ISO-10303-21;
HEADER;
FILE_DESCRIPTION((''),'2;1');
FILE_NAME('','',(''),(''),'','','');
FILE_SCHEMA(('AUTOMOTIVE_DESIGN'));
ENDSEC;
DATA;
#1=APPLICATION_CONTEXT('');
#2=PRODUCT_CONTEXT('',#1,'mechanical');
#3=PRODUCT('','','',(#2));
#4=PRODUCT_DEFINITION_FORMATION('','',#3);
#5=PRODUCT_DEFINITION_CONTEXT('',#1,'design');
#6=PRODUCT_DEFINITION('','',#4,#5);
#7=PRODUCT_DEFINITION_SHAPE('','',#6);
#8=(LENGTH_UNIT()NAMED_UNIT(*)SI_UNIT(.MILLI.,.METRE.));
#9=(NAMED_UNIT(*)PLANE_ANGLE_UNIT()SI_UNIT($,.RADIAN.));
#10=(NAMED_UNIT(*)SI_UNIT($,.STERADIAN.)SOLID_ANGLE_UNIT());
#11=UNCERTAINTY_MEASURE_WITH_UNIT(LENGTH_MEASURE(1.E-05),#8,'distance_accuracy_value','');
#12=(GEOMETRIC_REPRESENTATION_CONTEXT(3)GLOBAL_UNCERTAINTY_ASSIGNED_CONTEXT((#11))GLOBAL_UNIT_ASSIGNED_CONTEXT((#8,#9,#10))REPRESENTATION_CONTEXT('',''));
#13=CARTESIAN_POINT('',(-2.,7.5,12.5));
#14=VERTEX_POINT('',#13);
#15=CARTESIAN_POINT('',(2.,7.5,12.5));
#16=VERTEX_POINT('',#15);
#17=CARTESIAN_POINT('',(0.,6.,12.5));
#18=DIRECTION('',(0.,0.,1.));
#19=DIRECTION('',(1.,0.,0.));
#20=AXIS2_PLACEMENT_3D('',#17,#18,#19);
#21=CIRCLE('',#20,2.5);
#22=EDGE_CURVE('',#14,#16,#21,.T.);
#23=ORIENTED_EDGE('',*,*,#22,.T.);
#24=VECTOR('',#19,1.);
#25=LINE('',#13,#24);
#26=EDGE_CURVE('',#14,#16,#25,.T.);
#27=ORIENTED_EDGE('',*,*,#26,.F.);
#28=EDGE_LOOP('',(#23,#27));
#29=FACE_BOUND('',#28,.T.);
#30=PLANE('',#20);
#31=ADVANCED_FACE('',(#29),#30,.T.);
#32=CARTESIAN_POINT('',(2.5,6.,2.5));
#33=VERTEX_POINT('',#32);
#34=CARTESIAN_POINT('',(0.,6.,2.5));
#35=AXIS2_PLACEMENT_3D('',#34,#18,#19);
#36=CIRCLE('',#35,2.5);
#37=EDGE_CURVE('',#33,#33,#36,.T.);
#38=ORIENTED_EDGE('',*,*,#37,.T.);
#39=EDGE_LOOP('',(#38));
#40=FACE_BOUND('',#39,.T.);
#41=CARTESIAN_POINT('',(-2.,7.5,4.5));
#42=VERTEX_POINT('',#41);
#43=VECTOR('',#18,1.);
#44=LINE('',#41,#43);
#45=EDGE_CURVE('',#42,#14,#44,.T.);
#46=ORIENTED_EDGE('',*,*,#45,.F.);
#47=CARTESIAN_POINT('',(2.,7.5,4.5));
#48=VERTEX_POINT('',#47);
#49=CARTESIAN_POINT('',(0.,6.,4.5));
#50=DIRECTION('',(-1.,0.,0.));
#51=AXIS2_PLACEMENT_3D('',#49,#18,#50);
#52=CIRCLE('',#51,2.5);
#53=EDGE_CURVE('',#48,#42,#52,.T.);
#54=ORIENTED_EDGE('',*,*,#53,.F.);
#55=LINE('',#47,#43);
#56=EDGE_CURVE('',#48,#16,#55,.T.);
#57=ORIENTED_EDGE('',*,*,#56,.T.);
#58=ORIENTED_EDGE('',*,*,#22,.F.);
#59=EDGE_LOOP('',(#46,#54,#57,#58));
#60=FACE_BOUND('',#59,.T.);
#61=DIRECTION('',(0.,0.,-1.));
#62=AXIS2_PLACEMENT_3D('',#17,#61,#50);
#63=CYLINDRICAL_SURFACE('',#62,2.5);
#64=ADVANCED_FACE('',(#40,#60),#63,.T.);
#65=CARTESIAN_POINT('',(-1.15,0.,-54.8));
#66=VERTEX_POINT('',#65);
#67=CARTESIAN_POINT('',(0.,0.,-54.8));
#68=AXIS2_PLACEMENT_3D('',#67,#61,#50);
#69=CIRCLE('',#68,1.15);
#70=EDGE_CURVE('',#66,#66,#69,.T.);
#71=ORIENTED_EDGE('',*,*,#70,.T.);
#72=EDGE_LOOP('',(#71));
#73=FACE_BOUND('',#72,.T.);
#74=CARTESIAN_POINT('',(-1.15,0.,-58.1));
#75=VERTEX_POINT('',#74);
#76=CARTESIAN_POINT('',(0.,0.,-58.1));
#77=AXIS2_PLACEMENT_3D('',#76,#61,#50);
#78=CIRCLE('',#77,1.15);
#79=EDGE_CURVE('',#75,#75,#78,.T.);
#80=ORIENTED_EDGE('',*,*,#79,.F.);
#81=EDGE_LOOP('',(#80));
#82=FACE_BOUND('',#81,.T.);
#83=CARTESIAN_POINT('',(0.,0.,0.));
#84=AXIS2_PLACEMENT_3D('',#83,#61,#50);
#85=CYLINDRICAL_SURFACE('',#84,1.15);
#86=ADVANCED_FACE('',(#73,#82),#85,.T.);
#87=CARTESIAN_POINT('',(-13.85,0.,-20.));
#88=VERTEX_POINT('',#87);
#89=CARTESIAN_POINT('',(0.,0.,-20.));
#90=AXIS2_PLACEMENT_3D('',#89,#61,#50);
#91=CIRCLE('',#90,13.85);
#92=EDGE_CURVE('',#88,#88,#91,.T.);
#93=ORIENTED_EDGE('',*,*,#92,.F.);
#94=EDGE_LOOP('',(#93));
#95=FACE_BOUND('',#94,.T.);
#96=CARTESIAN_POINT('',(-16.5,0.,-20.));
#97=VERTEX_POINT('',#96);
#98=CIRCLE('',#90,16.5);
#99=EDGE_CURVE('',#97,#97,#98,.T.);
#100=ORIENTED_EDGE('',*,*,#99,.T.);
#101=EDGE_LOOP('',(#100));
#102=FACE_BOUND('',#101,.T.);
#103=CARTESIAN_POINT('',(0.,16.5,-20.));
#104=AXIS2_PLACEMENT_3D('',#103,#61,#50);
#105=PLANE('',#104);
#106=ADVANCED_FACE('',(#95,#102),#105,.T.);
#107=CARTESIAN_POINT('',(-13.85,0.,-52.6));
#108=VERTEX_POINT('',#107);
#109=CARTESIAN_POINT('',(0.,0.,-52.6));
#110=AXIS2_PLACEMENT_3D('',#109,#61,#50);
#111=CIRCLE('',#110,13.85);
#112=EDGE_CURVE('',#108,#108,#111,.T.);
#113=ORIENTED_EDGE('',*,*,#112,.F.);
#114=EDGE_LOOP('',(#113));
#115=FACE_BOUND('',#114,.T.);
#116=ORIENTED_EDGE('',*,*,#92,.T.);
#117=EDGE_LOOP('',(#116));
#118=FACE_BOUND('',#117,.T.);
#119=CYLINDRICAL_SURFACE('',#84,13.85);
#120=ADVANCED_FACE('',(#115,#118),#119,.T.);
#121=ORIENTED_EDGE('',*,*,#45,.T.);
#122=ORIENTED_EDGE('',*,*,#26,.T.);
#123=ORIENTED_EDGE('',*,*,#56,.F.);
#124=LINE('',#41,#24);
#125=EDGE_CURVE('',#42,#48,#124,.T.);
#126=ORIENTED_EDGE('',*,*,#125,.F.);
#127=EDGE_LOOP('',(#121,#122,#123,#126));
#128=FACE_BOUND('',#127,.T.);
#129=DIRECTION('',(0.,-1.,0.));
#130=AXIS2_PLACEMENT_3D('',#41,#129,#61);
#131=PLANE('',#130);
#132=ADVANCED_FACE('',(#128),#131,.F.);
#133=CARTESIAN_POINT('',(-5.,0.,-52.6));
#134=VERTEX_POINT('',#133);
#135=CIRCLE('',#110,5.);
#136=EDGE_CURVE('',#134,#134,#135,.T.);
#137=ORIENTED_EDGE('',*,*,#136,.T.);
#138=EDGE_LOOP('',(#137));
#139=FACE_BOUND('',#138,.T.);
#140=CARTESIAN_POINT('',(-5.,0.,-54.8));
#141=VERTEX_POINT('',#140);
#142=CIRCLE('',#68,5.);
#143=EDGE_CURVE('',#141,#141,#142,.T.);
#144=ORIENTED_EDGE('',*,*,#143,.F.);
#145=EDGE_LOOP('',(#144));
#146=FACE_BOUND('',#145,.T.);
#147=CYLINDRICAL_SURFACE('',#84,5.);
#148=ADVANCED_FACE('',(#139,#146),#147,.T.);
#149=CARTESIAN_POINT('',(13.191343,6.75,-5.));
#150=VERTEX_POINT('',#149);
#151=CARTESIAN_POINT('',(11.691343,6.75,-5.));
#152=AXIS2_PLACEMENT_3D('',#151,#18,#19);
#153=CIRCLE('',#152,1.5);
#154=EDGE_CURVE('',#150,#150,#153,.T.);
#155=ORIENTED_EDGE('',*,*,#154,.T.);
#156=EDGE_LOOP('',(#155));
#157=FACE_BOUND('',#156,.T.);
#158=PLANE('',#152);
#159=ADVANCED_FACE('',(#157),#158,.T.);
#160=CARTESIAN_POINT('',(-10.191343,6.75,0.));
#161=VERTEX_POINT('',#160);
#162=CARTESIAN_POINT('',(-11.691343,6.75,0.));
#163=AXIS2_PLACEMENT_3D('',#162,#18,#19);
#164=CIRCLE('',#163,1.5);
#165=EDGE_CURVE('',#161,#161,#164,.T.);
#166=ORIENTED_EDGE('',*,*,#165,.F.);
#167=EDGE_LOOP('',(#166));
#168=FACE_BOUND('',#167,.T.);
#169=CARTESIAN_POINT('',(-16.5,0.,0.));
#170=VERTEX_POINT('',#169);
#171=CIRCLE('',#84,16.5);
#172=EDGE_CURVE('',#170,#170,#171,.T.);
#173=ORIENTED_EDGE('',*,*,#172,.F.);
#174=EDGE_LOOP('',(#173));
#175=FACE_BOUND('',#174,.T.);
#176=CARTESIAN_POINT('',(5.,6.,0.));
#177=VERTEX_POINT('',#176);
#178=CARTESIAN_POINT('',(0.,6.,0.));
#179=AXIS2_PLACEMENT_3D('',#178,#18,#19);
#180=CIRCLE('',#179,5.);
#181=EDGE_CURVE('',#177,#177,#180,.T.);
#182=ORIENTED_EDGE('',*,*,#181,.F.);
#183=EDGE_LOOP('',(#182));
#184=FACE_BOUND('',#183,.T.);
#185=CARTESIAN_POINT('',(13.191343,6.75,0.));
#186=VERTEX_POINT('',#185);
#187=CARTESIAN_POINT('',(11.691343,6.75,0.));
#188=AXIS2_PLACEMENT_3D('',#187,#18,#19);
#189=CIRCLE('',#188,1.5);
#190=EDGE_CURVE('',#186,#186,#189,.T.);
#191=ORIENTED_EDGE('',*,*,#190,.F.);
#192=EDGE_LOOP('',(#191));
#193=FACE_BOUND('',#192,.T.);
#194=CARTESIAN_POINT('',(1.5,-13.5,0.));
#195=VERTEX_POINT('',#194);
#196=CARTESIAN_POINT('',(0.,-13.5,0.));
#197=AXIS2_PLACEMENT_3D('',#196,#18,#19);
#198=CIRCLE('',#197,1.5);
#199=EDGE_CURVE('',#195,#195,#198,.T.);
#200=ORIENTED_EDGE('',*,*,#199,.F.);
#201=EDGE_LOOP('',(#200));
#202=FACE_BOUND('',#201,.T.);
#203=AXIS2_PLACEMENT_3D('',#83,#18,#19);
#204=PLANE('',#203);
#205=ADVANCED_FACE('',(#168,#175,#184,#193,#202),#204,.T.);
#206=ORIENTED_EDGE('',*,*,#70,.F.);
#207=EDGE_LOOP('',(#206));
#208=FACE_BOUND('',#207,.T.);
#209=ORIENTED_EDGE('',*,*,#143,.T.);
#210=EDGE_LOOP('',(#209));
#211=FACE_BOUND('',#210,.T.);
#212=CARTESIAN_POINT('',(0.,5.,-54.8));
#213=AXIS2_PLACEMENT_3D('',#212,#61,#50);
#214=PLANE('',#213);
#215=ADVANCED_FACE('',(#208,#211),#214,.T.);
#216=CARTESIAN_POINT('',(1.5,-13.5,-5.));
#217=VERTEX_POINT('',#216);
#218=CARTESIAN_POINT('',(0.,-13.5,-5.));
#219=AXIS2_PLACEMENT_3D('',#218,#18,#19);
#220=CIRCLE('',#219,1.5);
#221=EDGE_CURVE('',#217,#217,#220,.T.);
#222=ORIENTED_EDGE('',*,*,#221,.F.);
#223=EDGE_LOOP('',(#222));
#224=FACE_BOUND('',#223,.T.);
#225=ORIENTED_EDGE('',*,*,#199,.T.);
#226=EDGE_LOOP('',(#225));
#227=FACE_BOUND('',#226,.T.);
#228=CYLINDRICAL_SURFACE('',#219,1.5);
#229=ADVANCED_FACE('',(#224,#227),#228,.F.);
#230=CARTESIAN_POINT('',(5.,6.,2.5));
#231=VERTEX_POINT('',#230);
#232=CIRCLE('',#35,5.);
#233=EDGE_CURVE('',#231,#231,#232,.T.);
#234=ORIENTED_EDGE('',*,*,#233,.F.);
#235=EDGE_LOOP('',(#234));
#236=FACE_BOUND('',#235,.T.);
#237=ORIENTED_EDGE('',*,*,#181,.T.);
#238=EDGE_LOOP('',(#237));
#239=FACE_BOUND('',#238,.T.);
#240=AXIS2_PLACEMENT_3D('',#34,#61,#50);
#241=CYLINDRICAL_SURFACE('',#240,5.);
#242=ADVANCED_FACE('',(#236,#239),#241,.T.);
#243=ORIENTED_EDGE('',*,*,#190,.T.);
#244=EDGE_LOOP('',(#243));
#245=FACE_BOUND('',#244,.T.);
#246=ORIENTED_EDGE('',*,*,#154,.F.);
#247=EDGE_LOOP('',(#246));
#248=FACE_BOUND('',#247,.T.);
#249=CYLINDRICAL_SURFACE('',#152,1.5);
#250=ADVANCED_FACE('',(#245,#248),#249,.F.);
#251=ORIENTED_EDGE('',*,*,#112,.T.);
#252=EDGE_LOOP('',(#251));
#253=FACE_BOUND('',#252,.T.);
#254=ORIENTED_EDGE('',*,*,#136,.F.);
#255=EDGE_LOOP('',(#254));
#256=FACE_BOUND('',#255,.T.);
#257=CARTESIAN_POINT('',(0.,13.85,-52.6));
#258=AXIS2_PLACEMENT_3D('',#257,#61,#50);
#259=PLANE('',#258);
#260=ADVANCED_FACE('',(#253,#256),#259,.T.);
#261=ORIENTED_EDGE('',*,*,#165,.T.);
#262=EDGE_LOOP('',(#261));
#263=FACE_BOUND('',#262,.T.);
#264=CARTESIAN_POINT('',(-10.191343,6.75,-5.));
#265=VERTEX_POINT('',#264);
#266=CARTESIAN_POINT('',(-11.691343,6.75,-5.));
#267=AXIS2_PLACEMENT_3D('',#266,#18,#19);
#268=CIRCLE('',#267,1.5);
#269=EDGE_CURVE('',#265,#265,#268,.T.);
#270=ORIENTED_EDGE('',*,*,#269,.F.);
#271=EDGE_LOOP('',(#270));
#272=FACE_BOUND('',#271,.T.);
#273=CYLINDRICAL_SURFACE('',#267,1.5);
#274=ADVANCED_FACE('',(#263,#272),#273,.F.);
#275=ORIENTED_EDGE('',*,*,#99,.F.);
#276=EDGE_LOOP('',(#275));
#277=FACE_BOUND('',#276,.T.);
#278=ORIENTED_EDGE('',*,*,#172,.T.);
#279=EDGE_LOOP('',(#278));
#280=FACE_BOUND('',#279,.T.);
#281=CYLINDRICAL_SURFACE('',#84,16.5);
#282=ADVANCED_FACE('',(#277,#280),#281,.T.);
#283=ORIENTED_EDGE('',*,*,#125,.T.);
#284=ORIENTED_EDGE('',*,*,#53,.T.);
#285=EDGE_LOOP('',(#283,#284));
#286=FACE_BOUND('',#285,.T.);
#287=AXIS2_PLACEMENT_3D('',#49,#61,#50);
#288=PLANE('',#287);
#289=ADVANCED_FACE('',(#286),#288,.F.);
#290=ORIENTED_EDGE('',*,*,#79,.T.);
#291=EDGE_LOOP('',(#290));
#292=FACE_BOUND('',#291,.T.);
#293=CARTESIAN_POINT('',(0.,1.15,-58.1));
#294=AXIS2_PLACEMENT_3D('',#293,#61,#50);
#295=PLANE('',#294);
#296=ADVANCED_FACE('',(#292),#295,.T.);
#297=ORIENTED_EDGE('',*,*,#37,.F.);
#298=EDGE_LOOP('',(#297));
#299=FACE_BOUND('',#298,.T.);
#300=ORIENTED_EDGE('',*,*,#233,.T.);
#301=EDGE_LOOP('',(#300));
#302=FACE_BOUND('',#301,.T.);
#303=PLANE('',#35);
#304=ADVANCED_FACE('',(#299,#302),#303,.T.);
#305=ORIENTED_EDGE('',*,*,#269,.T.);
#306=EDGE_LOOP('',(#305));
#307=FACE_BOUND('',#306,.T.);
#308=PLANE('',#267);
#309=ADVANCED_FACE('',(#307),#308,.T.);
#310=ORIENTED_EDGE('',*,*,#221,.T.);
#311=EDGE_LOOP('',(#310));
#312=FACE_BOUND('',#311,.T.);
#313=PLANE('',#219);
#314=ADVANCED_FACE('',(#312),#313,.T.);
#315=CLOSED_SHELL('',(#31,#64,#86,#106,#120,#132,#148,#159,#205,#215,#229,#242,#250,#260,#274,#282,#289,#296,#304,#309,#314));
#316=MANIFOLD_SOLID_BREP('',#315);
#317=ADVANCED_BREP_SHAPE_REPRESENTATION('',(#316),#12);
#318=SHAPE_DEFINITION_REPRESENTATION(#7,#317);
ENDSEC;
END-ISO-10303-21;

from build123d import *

# Parameters (mm, degrees)
SKETCH6_R           = 5
BOSS_EXTRUDE3_DEPTH = 2.5
SKETCH7_R           = 2.5
BOSS_EXTRUDE4_DEPTH = 10
CUT_EXTRUDE1_START  = -8
CUT_EXTRUDE1_DEPTH  = 8
SKETCH9_R           = 1.500000048
CUT_EXTRUDE2_DEPTH  = 5


with BuildPart() as part:
    # Sketch5 → Revolve1 (revolve)
    with BuildSketch(Plane(origin=(0, 0, 0), x_dir=(0, 0, -1), z_dir=(1, 0, 0)), mode=Mode.PRIVATE) as revolve1_sk:
        Polygon((0, 0), (0, 16.5), (20, 16.5), (20, 13.85), (52.6, 13.85), (52.6, 5), (54.8, 5), (54.8, 1.15), (58.1, 1.15), (58.1, 0), align=None)
    revolve(revolve1_sk.sketch.rotate(Axis((0, 0, 0), (0, 0, 1)), 90), axis=Axis((0, 0, 0), (0, 0, 1)))

    # Sketch6 → Boss-Extrude3 (add)
    with BuildSketch(Plane.XY):
        with Locations((0, 6)):
            Circle(SKETCH6_R)
    extrude(amount=BOSS_EXTRUDE3_DEPTH)

    # Sketch7 → Boss-Extrude4 (add)
    with BuildSketch(Plane.XY.offset(2.5)):
        with Locations((0, 6)):
            Circle(SKETCH7_R)
    extrude(amount=BOSS_EXTRUDE4_DEPTH)

    # Sketch8 → Cut-Extrude1 (cut)
    with BuildSketch(Plane.XY.offset(12.5).offset(CUT_EXTRUDE1_START)):
        with BuildLine():
            Line((-1.999999964, 7.500000048), (1.999999964, 7.500000048))
            ThreePointArc((1.999999964, 7.500000048), (0, 8.5), (-1.999999964, 7.500000048))
        make_face()
    extrude(amount=CUT_EXTRUDE1_DEPTH, mode=Mode.SUBTRACT)

    # Sketch9 → Cut-Extrude2 (cut)
    with BuildSketch(Plane.XY):
        with Locations((0, -13.5)):
            Circle(SKETCH9_R)
        with Locations((-11.691342951, 6.75)):
            Circle(SKETCH9_R)
        with Locations((11.691342951, 6.75)):
            Circle(SKETCH9_R)
    extrude(amount=-CUT_EXTRUDE2_DEPTH, mode=Mode.SUBTRACT)


solid = part.part
